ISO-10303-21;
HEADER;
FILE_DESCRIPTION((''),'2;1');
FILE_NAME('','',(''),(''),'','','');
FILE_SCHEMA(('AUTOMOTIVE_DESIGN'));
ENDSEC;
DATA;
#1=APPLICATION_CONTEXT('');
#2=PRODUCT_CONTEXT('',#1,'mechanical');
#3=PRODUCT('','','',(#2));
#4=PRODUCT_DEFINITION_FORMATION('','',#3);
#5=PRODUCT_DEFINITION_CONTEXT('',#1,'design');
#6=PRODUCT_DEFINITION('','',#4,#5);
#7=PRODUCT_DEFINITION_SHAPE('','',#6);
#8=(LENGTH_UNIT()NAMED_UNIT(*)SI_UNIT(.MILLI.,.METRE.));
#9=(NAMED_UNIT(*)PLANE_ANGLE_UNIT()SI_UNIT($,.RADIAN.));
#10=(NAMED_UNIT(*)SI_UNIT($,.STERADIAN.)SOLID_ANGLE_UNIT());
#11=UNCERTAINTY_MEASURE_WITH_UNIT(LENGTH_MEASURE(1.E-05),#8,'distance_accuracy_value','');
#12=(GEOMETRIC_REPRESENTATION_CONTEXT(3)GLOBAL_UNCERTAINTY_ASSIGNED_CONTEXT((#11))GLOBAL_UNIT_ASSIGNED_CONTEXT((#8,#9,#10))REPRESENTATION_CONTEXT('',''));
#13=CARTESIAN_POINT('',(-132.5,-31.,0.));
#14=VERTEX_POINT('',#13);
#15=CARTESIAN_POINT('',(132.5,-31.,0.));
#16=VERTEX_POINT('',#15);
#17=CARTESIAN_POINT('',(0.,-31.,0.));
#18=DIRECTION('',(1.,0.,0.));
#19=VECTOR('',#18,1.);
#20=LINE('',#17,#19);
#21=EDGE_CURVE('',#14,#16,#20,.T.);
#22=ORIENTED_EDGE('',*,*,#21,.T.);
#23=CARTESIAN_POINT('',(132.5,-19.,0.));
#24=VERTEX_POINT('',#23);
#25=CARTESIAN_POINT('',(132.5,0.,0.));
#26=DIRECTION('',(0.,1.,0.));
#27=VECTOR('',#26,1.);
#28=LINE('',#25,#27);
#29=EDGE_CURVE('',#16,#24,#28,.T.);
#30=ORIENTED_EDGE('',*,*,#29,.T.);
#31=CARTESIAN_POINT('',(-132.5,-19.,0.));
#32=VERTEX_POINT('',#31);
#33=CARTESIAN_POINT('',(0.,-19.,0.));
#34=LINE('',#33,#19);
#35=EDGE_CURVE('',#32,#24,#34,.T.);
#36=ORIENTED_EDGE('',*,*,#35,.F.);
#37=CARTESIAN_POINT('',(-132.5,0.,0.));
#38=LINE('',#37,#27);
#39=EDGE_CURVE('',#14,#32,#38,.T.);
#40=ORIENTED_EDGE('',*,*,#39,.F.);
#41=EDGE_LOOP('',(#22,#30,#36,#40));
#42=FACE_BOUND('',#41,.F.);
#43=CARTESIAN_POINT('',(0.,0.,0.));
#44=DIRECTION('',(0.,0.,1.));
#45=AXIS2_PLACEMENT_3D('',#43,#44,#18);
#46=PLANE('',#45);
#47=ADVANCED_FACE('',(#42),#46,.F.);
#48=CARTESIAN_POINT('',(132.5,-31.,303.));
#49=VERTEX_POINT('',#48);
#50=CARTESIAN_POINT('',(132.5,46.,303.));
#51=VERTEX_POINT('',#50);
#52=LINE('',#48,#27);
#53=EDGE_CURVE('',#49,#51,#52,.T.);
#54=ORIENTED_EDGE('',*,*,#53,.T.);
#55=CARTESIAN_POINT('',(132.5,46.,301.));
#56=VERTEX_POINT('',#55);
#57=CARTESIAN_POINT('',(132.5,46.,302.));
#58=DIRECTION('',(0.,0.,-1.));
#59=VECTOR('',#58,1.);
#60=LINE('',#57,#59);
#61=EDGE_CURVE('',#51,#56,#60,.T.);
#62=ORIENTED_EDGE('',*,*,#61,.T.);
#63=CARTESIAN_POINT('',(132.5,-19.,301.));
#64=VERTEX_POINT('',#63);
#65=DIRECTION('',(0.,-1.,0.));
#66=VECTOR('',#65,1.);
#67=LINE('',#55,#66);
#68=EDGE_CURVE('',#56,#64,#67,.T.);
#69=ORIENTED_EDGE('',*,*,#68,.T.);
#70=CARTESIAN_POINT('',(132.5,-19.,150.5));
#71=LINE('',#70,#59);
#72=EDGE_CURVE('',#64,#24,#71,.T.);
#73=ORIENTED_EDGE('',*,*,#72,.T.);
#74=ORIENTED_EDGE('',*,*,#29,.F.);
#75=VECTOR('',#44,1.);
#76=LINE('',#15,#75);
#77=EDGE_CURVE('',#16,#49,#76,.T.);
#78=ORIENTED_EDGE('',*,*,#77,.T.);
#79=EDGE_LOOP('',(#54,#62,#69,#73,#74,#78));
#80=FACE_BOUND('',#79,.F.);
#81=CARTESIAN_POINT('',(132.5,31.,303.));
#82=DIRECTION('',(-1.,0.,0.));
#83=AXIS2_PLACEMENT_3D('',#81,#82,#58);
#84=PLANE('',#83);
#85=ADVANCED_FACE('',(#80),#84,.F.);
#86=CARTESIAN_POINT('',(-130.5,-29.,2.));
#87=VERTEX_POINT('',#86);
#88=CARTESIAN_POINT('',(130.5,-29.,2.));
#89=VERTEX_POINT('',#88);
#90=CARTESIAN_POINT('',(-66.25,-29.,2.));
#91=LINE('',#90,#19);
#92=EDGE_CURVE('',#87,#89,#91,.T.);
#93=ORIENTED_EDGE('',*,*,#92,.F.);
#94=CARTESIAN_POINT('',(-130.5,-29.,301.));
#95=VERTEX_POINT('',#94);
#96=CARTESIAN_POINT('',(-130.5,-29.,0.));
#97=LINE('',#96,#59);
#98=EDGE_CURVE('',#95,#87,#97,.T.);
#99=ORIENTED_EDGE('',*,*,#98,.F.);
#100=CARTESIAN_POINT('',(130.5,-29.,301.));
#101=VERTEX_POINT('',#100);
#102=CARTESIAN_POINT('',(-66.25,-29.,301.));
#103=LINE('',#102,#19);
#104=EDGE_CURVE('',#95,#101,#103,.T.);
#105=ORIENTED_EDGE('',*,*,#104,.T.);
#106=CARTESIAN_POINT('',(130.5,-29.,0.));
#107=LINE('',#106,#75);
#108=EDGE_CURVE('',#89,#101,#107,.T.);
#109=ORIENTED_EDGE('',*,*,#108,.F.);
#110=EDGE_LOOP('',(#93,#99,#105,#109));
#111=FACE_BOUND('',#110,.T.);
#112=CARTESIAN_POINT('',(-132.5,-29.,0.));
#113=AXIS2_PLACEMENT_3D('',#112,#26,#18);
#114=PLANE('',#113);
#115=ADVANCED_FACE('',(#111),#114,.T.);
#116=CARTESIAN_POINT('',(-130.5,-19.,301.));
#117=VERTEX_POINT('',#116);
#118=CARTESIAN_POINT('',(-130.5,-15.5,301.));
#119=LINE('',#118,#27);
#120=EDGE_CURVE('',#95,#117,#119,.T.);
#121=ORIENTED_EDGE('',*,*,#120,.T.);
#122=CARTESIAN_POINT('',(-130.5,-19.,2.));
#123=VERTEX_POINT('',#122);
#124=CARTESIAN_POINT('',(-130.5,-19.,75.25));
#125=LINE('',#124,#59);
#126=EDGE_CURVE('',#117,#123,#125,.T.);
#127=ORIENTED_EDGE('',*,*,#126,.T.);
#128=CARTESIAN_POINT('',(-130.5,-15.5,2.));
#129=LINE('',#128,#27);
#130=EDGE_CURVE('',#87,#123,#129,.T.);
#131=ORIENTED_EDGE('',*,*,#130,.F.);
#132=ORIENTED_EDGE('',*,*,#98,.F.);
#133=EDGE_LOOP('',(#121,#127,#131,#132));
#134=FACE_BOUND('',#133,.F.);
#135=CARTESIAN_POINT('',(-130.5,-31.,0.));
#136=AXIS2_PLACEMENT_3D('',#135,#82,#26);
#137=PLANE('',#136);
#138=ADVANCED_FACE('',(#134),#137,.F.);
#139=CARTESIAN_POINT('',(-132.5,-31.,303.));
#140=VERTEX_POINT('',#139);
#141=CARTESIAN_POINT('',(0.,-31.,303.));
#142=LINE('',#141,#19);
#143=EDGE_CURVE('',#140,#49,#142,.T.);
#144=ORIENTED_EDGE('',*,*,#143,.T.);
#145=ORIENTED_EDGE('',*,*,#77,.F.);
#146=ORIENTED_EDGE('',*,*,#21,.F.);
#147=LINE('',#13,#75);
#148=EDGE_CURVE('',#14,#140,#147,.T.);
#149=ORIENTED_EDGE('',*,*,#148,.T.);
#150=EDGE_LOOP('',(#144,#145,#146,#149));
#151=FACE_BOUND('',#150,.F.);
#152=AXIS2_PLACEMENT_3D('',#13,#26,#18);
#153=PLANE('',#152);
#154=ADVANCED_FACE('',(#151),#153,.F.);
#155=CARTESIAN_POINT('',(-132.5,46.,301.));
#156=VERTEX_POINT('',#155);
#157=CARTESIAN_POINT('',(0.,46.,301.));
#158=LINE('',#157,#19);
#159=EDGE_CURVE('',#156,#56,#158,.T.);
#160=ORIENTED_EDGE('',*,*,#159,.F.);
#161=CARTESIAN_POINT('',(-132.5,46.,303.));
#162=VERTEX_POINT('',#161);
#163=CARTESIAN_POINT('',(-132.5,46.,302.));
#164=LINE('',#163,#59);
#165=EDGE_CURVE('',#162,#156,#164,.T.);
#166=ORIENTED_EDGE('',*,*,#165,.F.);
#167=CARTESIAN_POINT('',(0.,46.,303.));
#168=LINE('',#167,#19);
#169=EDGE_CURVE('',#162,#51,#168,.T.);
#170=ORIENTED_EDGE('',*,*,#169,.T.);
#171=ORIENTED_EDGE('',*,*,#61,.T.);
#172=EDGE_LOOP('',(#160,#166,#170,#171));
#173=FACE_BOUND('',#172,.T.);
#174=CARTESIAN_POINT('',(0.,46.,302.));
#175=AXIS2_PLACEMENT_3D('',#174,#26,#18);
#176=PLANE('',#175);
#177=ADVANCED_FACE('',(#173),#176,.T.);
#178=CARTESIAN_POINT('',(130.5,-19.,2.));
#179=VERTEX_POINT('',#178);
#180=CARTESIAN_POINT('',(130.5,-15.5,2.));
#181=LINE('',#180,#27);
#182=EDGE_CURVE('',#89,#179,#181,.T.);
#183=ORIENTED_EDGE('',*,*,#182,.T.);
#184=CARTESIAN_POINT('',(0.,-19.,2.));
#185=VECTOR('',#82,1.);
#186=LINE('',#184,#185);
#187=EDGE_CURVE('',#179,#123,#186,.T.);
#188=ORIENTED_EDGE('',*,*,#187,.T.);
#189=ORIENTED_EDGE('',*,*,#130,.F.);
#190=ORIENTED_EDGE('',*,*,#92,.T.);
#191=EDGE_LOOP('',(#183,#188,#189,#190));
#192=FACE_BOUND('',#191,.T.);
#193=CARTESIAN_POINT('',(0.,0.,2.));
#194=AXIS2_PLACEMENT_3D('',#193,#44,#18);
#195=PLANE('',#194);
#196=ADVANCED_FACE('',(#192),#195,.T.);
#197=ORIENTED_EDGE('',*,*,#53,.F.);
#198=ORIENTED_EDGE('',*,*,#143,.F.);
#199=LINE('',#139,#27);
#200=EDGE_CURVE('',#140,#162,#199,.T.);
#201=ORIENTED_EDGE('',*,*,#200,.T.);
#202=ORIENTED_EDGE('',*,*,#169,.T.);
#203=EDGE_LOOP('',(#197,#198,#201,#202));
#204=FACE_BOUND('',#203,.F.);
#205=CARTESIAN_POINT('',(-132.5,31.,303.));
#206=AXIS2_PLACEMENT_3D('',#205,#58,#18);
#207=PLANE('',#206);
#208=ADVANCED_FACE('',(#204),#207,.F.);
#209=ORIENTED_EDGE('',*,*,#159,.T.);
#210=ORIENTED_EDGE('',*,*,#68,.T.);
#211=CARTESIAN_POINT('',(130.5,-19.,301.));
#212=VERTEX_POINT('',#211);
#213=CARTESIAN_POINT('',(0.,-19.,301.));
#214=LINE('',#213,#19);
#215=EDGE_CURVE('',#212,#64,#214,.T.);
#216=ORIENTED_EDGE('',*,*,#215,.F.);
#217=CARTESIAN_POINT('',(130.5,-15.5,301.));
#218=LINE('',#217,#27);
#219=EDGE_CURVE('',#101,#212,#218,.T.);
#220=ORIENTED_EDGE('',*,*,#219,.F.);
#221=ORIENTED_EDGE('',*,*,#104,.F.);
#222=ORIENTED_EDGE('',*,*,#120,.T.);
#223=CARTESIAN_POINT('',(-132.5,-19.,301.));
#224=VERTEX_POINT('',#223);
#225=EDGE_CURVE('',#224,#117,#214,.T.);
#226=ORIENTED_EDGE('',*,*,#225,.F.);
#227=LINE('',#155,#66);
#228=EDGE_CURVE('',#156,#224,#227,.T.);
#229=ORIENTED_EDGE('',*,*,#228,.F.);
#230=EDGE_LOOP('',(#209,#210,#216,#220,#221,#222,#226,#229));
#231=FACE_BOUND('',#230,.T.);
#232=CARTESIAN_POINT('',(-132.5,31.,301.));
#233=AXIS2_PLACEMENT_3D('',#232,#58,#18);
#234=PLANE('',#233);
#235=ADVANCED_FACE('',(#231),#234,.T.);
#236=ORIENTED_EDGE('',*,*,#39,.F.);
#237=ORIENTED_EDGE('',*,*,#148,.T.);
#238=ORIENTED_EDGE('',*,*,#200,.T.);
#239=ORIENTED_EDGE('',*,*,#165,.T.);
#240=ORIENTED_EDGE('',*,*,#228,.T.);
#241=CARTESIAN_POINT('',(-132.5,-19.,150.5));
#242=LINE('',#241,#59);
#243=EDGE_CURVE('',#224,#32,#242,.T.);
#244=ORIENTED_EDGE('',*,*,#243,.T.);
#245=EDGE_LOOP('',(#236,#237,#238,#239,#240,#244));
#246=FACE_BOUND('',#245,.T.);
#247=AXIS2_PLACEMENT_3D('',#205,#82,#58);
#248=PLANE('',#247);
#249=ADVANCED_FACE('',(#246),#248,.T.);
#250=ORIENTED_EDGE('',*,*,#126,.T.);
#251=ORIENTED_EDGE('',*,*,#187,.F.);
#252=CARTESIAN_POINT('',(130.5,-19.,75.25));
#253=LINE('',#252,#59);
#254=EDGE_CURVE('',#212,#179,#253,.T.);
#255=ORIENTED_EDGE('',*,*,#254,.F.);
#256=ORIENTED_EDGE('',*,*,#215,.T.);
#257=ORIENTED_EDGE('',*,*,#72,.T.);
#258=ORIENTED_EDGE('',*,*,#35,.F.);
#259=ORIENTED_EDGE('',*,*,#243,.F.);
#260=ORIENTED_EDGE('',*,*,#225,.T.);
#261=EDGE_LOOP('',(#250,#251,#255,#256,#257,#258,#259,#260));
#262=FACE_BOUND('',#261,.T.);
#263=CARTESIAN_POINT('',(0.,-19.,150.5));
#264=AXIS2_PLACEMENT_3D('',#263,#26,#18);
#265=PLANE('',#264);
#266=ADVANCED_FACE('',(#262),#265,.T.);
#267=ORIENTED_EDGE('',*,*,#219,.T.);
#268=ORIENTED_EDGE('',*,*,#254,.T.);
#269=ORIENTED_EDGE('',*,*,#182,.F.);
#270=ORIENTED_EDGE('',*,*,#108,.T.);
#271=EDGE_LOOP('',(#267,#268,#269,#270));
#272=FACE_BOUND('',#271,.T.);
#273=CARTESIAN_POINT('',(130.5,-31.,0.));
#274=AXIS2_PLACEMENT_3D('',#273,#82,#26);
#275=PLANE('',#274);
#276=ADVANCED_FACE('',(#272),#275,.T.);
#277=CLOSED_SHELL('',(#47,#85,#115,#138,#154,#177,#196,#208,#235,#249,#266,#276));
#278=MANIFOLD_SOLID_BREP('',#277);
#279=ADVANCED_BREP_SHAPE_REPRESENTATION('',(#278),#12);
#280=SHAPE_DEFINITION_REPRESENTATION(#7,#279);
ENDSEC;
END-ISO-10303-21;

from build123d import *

# Parameters (mm, degrees)
SKETCH1_W           = 265
SKETCH1_H           = 62
BOSS_EXTRUDE1_DEPTH = 303
SHELL1_T            = -2
SKETCH2_W           = 265
SKETCH2_H           = 301
CUT_EXTRUDE1_DEPTH  = 50
SKETCH3_W           = 265
SKETCH3_H           = 2
BOSS_EXTRUDE2_DEPTH = 15


with BuildPart() as part:
    # Sketch1 → Boss-Extrude1 (new body)
    with BuildSketch(Plane.XY):
        Rectangle(SKETCH1_W, SKETCH1_H)
    extrude(amount=BOSS_EXTRUDE1_DEPTH)

    # Shell1
    shell1_openings = [part.faces().sort_by_distance(p)[0] for p in [
        (0, 31, 151.5),
    ]]
    offset(amount=SHELL1_T, openings=shell1_openings, kind=Kind.INTERSECTION)

    # Sketch2 → Cut-Extrude1 (cut)
    with BuildSketch(Plane(origin=(0, 31, 0), x_dir=(1, 0, 0), z_dir=(0, 1, 0))):
        with Locations((0, -150.5)):
            Rectangle(SKETCH2_W, SKETCH2_H)
    extrude(amount=-CUT_EXTRUDE1_DEPTH, mode=Mode.SUBTRACT)

    # Sketch3 → Boss-Extrude2 (add)
    with BuildSketch(Plane(origin=(0, 31, 0), x_dir=(1, 0, 0), z_dir=(0, 1, 0))):
        with Locations((0, -302)):
            Rectangle(SKETCH3_W, SKETCH3_H)
    extrude(amount=BOSS_EXTRUDE2_DEPTH)


solid = part.part
